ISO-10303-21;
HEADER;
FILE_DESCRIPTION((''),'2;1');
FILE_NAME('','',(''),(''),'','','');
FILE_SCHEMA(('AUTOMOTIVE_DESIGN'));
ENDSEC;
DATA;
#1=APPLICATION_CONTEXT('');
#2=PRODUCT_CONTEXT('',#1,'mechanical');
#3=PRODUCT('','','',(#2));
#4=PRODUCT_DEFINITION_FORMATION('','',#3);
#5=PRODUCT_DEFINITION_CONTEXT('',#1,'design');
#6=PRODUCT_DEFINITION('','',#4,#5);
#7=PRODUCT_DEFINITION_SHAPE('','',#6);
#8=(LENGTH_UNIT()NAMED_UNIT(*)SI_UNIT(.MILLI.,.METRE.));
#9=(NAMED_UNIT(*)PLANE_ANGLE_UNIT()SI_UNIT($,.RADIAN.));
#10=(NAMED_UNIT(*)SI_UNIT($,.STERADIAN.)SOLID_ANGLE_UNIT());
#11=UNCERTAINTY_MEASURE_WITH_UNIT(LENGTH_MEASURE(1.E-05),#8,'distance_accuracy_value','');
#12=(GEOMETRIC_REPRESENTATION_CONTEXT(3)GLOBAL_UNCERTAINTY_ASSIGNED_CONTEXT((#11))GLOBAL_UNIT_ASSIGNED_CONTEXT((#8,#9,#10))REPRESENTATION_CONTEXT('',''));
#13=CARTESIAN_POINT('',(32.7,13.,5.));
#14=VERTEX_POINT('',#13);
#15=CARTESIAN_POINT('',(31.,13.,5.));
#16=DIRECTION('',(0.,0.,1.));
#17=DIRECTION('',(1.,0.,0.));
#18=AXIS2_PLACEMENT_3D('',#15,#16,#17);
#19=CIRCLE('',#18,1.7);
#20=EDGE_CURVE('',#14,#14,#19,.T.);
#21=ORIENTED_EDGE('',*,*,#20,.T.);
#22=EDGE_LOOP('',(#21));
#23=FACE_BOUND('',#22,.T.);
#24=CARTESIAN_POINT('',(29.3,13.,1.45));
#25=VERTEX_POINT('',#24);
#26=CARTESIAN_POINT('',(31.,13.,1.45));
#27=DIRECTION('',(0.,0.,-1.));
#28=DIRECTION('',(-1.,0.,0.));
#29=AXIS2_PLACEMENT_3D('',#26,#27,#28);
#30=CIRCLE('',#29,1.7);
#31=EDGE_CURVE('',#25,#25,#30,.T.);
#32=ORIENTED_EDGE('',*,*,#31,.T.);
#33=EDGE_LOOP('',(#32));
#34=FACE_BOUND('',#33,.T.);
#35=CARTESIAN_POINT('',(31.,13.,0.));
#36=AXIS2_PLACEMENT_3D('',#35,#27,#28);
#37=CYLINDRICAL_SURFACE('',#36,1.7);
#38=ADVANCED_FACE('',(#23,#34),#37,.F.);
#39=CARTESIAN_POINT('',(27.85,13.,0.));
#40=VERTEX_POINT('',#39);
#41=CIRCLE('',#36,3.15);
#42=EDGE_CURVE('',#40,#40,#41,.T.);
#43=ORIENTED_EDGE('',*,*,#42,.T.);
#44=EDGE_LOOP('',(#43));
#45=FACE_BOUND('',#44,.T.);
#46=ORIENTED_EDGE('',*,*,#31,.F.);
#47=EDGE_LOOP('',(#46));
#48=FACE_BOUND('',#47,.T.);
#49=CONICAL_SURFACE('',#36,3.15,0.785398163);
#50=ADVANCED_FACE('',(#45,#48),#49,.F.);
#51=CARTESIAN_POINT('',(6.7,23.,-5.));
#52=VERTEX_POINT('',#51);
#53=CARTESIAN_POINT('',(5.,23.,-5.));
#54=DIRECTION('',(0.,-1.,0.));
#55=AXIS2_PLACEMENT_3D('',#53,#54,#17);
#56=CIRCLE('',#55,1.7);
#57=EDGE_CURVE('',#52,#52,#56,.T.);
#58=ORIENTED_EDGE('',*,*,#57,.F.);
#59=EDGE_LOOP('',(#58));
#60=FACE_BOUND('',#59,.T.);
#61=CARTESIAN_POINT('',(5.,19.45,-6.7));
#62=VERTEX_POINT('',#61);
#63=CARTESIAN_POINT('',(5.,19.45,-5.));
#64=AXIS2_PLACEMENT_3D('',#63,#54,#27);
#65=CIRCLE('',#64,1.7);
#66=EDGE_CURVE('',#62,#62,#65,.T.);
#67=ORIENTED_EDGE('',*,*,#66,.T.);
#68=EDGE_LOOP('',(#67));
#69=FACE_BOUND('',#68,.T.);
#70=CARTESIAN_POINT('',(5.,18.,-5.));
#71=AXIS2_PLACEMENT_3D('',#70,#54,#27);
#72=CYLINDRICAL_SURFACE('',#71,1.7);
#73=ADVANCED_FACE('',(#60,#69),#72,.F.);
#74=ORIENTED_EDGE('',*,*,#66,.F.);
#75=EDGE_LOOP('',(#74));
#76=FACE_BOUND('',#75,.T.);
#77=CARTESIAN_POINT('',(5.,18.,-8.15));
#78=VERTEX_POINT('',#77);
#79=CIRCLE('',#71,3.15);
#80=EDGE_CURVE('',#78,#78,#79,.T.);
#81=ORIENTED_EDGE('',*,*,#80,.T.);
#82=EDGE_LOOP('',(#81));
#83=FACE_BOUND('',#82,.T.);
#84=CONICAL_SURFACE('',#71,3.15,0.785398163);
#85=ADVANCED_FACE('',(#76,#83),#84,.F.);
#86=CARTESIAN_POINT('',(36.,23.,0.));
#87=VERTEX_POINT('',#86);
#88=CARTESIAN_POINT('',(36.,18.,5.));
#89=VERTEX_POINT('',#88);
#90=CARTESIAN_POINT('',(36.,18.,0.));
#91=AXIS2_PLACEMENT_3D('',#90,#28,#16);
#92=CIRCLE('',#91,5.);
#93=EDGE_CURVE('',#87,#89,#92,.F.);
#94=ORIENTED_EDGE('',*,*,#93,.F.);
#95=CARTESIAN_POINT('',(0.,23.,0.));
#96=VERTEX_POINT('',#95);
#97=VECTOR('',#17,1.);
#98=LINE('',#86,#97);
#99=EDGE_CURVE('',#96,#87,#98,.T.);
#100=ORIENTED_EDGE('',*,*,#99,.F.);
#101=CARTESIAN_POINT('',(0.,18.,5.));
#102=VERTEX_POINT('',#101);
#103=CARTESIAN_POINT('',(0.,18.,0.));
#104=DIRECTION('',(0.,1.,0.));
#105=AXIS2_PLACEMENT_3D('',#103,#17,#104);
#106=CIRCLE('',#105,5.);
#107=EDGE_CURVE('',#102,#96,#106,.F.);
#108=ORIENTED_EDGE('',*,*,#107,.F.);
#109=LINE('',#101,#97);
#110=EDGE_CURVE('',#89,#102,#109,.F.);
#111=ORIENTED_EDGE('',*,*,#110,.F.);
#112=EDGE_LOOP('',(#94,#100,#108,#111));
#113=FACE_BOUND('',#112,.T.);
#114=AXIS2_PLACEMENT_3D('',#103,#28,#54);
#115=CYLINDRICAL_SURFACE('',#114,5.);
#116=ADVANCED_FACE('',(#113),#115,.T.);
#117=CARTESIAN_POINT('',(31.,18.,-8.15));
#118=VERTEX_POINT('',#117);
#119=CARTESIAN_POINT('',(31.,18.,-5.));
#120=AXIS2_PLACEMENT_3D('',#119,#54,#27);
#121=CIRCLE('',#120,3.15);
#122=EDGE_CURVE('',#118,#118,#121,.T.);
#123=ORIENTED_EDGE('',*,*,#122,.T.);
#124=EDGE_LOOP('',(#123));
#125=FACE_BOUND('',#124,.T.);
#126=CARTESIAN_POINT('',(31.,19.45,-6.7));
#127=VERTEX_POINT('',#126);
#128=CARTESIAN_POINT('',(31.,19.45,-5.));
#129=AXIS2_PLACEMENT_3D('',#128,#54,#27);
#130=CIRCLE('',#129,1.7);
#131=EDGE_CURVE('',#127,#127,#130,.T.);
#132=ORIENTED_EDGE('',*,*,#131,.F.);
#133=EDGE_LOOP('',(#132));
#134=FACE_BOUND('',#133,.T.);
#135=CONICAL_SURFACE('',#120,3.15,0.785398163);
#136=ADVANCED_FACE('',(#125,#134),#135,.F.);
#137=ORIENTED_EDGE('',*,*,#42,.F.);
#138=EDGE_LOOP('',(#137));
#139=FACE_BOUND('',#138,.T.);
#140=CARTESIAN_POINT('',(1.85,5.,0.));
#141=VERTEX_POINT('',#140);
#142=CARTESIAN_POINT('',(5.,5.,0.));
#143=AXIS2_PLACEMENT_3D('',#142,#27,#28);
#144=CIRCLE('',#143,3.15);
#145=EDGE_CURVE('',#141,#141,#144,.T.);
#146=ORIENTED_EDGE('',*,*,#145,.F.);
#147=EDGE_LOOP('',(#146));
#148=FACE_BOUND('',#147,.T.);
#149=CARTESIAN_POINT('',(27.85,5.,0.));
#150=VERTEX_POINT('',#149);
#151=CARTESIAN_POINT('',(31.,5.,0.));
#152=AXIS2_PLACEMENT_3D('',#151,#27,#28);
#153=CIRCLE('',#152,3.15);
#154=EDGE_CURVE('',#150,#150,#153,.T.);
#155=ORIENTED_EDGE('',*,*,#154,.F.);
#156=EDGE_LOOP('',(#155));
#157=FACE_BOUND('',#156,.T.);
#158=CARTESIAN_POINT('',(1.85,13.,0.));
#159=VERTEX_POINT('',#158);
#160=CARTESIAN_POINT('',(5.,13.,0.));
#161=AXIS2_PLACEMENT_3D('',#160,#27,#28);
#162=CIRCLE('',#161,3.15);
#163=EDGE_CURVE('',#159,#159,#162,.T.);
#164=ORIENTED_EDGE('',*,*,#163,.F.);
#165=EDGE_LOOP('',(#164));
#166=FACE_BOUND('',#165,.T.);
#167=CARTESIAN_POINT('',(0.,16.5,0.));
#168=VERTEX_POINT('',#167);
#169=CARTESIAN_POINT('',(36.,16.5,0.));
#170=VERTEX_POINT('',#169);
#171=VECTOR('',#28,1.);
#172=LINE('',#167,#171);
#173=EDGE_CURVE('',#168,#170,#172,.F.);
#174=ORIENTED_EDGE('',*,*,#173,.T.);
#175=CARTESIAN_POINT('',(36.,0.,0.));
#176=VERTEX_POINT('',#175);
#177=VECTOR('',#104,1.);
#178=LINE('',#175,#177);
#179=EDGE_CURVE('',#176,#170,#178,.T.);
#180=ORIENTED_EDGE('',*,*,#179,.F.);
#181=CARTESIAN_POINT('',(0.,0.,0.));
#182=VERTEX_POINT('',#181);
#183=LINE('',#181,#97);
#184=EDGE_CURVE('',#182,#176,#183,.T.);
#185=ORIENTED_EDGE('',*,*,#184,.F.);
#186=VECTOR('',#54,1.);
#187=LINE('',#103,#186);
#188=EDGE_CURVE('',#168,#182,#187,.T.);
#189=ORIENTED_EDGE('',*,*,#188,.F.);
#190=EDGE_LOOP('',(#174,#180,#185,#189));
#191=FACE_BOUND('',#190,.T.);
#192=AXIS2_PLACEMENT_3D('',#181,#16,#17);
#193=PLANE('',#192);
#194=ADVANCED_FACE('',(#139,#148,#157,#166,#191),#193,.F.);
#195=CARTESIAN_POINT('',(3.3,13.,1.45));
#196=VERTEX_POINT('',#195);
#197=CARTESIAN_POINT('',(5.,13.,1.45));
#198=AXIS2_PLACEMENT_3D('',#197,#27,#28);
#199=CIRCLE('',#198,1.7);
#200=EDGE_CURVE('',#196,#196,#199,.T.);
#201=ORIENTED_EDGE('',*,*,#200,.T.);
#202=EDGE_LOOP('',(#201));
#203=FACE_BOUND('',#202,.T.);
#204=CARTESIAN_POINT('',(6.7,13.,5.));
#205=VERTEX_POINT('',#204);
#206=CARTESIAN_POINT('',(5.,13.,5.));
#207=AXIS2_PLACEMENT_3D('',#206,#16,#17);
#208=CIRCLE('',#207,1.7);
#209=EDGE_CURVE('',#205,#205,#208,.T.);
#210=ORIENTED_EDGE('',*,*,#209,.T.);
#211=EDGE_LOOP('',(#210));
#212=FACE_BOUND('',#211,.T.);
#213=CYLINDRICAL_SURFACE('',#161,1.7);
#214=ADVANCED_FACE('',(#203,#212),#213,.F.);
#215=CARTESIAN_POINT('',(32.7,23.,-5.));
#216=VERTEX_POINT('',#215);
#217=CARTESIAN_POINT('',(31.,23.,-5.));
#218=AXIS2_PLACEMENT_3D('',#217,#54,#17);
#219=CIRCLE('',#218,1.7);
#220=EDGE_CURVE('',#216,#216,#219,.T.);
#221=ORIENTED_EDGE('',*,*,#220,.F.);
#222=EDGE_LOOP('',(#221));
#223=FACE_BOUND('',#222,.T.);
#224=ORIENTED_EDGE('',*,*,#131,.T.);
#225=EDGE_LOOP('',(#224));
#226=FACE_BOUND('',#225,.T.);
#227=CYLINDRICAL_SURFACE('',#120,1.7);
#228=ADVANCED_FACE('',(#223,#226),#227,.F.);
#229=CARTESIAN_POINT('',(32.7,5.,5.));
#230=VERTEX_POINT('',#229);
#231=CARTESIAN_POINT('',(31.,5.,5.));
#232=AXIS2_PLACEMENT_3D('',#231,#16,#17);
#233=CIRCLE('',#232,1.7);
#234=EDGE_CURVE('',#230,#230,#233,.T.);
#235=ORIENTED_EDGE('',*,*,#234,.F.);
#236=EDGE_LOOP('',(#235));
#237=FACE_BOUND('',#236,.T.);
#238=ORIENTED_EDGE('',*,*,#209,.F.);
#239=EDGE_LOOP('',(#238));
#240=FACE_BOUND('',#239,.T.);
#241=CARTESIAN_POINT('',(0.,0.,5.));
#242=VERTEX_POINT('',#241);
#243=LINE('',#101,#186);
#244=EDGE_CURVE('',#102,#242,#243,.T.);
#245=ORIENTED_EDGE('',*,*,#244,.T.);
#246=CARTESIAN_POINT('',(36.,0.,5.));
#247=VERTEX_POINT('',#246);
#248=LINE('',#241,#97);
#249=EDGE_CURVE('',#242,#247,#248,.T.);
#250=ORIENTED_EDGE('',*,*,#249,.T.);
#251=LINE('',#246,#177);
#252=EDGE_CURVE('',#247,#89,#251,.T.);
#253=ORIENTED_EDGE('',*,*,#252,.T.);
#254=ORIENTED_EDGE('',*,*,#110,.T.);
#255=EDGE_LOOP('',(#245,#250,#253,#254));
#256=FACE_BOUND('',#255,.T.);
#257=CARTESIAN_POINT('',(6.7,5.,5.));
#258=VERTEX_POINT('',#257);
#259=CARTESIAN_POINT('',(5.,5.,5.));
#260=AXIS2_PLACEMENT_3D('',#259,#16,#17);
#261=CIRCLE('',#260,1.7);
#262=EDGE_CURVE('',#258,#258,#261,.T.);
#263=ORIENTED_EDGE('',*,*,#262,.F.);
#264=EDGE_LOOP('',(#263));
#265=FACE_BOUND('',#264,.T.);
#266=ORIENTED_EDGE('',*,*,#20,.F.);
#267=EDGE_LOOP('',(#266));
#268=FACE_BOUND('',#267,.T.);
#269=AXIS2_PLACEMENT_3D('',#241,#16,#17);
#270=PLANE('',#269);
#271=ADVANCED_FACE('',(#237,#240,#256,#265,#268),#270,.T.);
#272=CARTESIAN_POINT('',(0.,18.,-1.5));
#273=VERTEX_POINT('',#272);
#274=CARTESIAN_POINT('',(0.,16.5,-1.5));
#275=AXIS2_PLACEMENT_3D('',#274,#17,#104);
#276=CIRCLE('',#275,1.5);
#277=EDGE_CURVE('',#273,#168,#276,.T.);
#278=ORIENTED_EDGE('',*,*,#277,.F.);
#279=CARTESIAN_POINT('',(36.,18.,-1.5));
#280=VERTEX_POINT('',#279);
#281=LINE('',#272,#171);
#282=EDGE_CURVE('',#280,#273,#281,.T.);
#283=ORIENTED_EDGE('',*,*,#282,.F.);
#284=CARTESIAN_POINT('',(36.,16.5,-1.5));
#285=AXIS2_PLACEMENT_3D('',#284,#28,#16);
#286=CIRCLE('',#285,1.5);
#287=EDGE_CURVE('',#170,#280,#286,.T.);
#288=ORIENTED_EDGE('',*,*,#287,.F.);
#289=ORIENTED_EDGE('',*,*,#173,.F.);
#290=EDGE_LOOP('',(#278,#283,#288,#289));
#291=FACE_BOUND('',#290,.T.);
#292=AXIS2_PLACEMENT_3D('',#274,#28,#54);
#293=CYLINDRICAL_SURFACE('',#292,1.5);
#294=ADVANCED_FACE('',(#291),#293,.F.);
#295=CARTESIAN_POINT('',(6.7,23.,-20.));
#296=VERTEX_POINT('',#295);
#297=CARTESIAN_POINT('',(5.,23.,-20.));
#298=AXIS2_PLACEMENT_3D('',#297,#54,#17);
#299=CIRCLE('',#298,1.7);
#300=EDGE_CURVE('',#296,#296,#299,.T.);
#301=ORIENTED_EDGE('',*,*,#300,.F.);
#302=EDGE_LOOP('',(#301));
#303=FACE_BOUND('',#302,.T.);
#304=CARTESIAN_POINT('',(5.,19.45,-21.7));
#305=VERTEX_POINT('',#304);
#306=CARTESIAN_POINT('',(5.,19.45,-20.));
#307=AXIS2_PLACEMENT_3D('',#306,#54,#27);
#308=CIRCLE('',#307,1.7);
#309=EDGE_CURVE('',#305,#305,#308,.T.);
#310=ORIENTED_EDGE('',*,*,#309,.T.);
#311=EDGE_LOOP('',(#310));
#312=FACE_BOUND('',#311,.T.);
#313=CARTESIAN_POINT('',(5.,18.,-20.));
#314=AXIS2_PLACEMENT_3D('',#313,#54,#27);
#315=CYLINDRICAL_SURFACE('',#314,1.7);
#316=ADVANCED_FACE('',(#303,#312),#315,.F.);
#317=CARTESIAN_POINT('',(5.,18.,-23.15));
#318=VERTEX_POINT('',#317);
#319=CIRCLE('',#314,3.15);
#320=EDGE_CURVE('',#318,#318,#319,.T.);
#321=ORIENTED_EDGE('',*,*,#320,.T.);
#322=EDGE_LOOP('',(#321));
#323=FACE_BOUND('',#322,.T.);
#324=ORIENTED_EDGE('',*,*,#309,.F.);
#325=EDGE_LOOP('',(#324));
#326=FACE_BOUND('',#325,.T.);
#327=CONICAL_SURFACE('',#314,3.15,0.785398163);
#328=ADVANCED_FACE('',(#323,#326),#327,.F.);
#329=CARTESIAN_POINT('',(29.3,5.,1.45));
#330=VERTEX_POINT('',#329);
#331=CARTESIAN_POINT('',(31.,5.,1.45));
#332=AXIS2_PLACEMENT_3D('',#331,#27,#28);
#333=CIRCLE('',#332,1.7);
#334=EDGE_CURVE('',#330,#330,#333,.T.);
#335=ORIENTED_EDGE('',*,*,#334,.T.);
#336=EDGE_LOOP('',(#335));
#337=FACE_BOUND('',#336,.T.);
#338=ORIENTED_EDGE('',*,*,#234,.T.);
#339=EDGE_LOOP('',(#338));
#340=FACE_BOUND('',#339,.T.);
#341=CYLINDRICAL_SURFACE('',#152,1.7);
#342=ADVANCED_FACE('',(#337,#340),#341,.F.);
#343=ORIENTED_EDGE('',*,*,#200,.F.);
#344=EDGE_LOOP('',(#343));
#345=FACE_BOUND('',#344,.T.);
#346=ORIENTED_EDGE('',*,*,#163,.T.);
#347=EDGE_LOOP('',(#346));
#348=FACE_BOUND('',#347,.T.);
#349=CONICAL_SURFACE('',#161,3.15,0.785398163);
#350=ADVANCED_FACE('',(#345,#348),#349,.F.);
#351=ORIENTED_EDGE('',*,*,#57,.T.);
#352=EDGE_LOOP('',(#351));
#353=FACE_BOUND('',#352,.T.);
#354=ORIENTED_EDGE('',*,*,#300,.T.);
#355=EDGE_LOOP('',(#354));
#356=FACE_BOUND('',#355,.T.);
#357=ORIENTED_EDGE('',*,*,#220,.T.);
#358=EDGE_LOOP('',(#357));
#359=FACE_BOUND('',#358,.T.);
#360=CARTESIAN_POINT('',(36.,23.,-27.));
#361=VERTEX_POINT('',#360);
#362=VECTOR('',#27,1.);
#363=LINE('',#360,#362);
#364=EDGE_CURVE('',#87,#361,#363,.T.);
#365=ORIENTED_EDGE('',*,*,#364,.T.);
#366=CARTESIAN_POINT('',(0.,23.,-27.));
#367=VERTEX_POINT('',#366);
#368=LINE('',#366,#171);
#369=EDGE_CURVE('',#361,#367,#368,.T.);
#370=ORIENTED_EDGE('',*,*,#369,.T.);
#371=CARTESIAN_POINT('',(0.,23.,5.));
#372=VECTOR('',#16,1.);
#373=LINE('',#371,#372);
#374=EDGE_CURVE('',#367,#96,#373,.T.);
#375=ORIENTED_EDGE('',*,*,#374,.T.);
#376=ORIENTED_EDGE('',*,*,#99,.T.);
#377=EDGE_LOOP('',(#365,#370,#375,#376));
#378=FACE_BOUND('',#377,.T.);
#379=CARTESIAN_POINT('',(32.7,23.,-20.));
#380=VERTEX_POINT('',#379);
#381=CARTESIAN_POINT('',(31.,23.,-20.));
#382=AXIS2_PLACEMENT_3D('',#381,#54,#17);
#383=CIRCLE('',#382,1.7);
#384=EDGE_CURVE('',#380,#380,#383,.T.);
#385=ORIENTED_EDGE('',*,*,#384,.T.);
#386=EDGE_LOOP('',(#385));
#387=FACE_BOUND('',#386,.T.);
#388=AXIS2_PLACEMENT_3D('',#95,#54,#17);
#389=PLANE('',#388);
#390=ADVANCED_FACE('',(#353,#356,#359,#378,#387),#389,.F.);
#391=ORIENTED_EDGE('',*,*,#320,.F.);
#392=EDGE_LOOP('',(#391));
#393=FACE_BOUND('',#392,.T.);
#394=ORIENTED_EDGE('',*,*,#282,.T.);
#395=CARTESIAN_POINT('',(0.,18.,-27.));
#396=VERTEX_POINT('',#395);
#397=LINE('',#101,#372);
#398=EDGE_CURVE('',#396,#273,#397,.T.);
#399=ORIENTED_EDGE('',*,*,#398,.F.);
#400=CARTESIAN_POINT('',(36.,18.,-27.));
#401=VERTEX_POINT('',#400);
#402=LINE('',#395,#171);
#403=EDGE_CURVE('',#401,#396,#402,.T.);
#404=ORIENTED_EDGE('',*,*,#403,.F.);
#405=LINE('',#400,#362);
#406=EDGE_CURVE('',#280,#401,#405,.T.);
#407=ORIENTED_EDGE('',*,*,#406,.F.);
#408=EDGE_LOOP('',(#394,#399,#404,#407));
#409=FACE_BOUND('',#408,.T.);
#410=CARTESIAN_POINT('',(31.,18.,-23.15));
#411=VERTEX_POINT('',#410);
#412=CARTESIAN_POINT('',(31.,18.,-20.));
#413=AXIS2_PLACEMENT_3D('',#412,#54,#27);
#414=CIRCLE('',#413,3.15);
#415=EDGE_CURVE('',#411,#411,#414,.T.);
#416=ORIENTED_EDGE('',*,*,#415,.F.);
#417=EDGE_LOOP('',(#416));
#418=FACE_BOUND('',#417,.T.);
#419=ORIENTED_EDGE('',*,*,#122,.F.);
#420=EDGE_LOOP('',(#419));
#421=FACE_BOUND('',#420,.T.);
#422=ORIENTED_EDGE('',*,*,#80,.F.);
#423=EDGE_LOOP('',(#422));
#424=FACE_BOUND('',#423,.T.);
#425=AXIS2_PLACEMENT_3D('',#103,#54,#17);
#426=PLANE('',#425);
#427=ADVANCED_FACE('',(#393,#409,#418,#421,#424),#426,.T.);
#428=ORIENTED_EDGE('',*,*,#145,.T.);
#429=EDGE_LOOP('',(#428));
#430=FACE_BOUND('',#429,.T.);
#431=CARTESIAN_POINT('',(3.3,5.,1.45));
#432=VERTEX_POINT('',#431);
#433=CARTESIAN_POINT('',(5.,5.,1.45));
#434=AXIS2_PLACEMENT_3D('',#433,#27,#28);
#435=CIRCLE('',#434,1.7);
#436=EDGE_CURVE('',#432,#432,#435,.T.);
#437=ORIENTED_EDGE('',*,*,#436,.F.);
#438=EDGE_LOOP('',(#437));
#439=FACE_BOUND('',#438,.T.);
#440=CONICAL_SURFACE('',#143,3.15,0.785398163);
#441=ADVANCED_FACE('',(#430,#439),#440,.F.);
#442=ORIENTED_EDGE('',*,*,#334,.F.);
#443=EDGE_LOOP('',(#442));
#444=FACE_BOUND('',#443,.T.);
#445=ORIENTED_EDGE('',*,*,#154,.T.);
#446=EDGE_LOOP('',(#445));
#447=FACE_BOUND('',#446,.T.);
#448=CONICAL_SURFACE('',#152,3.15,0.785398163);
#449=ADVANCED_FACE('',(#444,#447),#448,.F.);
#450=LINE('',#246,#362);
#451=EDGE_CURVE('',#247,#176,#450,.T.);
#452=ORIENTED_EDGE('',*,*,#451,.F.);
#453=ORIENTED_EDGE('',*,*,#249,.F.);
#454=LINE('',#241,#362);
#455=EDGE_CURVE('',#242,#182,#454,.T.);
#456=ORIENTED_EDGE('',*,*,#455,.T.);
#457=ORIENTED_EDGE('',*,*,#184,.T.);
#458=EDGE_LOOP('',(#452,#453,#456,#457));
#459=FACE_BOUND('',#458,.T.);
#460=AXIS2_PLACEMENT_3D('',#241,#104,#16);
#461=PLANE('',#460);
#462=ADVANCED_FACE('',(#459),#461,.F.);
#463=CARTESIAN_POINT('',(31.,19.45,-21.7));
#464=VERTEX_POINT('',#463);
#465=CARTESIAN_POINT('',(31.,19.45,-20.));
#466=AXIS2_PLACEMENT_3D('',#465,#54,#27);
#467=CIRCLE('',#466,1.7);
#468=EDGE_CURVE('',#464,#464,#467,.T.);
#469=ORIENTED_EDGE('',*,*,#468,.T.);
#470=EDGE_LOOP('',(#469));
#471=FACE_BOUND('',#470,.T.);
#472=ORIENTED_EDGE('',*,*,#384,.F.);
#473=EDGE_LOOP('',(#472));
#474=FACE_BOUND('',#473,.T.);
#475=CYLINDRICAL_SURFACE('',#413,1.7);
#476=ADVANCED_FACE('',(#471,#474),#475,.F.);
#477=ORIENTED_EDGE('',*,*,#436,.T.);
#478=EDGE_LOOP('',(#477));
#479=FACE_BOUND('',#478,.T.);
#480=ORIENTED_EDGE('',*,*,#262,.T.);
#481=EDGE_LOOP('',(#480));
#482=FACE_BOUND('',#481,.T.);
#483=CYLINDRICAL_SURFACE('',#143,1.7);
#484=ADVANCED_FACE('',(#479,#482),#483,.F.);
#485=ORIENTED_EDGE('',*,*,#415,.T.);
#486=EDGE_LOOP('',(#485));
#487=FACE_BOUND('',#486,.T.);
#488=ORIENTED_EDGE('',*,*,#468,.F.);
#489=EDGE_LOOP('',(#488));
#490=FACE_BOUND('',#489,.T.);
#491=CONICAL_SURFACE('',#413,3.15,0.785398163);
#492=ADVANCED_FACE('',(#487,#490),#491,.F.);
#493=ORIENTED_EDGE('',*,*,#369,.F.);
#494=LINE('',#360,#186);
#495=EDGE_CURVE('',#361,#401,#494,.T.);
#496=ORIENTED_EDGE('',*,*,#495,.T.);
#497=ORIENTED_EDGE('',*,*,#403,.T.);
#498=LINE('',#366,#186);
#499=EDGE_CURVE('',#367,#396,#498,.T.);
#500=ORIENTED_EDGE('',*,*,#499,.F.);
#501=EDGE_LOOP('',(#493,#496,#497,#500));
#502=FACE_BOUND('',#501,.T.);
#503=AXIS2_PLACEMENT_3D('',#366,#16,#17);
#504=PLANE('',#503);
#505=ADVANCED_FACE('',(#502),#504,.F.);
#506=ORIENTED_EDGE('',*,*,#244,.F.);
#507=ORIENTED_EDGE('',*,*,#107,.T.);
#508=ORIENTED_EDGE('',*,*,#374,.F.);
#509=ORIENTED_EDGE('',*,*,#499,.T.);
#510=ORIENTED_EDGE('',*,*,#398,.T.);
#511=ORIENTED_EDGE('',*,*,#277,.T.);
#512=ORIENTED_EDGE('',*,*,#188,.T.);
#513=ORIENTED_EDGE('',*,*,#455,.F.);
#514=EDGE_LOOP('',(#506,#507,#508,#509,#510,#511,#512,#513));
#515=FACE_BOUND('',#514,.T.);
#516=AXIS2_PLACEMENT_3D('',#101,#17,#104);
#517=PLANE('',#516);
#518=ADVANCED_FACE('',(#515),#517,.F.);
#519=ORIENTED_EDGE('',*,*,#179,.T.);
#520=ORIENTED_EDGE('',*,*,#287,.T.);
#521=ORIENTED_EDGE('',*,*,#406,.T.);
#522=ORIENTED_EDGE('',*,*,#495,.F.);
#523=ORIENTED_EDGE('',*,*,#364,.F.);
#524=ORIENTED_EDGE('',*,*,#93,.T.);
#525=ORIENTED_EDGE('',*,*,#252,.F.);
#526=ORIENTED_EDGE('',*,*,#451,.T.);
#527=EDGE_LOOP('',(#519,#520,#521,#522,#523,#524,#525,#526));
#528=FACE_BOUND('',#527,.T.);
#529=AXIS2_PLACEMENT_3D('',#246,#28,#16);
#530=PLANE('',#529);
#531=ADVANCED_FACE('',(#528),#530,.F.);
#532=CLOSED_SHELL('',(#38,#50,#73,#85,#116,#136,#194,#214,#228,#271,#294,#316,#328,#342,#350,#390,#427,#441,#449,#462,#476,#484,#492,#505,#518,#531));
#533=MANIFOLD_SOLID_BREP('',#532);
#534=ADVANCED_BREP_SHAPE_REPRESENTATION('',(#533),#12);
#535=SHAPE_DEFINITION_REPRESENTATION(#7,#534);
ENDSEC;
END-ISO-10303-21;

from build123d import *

# Parameters (mm, degrees)
SKETCH1_W                                       = 36
SKETCH1_H                                       = 18
BOSS_EXTRUDE1_DEPTH                             = 5
CSK_FOR_M3_FLAT_HEAD_MACHINE_SCREW1_D           = 3.4
CSK_FOR_M3_FLAT_HEAD_MACHINE_SCREW1_DEPTH       = 5
CSK_FOR_M3_FLAT_HEAD_MACHINE_SCREW1_CSINK_D     = 6.3
CSK_FOR_M3_FLAT_HEAD_MACHINE_SCREW1_CSINK_ANGLE = 90
SKETCH7_W                                       = 36
SKETCH7_H                                       = 32
BOSS_EXTRUDE2_DEPTH                             = 5
CSK_FOR_M3_FLAT_HEAD_MACHINE_SCREW2_D           = 3.4
CSK_FOR_M3_FLAT_HEAD_MACHINE_SCREW2_DEPTH       = 5
CSK_FOR_M3_FLAT_HEAD_MACHINE_SCREW2_CSINK_D     = 6.3
CSK_FOR_M3_FLAT_HEAD_MACHINE_SCREW2_CSINK_ANGLE = 90
FILLET1_R                                       = 1.5
FILLET2_R                                       = 5


with BuildPart() as part:
    # Sketch1 → Boss-Extrude1 (new body)
    with BuildSketch(Plane.XY):
        with Locations((18, 9)):
            Rectangle(SKETCH1_W, SKETCH1_H)
    extrude(amount=BOSS_EXTRUDE1_DEPTH)

    # CSK for M3 Flat Head Machine Screw1
    with Locations(Plane(origin=(0, 0, 0), x_dir=(-1, 0, 0), z_dir=(0, 0, -1))):
        with Locations((-31, 13), (-31, 5), (-5, 5), (-5, 13)):
            CounterSinkHole(CSK_FOR_M3_FLAT_HEAD_MACHINE_SCREW1_D / 2, CSK_FOR_M3_FLAT_HEAD_MACHINE_SCREW1_CSINK_D / 2, depth=CSK_FOR_M3_FLAT_HEAD_MACHINE_SCREW1_DEPTH, counter_sink_angle=CSK_FOR_M3_FLAT_HEAD_MACHINE_SCREW1_CSINK_ANGLE)

    # Sketch7 → Boss-Extrude2 (add)
    with BuildSketch(Plane(origin=(0, 18, 0), x_dir=(1, 0, 0), z_dir=(0, 1, 0))):
        with Locations((18, 11)):
            Rectangle(SKETCH7_W, SKETCH7_H)
    extrude(amount=BOSS_EXTRUDE2_DEPTH)

    # CSK for M3 Flat Head Machine Screw2
    with Locations(Plane(origin=(0, 18, 0), x_dir=(-1, 0, 0), z_dir=(0, -1, 0))):
        with Locations((-31, 5), (-31, 20), (-5, 20), (-5, 5)):
            CounterSinkHole(CSK_FOR_M3_FLAT_HEAD_MACHINE_SCREW2_D / 2, CSK_FOR_M3_FLAT_HEAD_MACHINE_SCREW2_CSINK_D / 2, depth=CSK_FOR_M3_FLAT_HEAD_MACHINE_SCREW2_DEPTH, counter_sink_angle=CSK_FOR_M3_FLAT_HEAD_MACHINE_SCREW2_CSINK_ANGLE)

    # Fillet1
    fillet1_edges = [part.edges().sort_by_distance(p)[0] for p in [
        (18, 18, 0),
    ]]
    fillet(fillet1_edges, radius=FILLET1_R)

    # Fillet2
    fillet2_edges = [part.edges().sort_by_distance(p)[0] for p in [
        (18, 23, 5),
    ]]
    fillet(fillet2_edges, radius=FILLET2_R)


solid = part.part
